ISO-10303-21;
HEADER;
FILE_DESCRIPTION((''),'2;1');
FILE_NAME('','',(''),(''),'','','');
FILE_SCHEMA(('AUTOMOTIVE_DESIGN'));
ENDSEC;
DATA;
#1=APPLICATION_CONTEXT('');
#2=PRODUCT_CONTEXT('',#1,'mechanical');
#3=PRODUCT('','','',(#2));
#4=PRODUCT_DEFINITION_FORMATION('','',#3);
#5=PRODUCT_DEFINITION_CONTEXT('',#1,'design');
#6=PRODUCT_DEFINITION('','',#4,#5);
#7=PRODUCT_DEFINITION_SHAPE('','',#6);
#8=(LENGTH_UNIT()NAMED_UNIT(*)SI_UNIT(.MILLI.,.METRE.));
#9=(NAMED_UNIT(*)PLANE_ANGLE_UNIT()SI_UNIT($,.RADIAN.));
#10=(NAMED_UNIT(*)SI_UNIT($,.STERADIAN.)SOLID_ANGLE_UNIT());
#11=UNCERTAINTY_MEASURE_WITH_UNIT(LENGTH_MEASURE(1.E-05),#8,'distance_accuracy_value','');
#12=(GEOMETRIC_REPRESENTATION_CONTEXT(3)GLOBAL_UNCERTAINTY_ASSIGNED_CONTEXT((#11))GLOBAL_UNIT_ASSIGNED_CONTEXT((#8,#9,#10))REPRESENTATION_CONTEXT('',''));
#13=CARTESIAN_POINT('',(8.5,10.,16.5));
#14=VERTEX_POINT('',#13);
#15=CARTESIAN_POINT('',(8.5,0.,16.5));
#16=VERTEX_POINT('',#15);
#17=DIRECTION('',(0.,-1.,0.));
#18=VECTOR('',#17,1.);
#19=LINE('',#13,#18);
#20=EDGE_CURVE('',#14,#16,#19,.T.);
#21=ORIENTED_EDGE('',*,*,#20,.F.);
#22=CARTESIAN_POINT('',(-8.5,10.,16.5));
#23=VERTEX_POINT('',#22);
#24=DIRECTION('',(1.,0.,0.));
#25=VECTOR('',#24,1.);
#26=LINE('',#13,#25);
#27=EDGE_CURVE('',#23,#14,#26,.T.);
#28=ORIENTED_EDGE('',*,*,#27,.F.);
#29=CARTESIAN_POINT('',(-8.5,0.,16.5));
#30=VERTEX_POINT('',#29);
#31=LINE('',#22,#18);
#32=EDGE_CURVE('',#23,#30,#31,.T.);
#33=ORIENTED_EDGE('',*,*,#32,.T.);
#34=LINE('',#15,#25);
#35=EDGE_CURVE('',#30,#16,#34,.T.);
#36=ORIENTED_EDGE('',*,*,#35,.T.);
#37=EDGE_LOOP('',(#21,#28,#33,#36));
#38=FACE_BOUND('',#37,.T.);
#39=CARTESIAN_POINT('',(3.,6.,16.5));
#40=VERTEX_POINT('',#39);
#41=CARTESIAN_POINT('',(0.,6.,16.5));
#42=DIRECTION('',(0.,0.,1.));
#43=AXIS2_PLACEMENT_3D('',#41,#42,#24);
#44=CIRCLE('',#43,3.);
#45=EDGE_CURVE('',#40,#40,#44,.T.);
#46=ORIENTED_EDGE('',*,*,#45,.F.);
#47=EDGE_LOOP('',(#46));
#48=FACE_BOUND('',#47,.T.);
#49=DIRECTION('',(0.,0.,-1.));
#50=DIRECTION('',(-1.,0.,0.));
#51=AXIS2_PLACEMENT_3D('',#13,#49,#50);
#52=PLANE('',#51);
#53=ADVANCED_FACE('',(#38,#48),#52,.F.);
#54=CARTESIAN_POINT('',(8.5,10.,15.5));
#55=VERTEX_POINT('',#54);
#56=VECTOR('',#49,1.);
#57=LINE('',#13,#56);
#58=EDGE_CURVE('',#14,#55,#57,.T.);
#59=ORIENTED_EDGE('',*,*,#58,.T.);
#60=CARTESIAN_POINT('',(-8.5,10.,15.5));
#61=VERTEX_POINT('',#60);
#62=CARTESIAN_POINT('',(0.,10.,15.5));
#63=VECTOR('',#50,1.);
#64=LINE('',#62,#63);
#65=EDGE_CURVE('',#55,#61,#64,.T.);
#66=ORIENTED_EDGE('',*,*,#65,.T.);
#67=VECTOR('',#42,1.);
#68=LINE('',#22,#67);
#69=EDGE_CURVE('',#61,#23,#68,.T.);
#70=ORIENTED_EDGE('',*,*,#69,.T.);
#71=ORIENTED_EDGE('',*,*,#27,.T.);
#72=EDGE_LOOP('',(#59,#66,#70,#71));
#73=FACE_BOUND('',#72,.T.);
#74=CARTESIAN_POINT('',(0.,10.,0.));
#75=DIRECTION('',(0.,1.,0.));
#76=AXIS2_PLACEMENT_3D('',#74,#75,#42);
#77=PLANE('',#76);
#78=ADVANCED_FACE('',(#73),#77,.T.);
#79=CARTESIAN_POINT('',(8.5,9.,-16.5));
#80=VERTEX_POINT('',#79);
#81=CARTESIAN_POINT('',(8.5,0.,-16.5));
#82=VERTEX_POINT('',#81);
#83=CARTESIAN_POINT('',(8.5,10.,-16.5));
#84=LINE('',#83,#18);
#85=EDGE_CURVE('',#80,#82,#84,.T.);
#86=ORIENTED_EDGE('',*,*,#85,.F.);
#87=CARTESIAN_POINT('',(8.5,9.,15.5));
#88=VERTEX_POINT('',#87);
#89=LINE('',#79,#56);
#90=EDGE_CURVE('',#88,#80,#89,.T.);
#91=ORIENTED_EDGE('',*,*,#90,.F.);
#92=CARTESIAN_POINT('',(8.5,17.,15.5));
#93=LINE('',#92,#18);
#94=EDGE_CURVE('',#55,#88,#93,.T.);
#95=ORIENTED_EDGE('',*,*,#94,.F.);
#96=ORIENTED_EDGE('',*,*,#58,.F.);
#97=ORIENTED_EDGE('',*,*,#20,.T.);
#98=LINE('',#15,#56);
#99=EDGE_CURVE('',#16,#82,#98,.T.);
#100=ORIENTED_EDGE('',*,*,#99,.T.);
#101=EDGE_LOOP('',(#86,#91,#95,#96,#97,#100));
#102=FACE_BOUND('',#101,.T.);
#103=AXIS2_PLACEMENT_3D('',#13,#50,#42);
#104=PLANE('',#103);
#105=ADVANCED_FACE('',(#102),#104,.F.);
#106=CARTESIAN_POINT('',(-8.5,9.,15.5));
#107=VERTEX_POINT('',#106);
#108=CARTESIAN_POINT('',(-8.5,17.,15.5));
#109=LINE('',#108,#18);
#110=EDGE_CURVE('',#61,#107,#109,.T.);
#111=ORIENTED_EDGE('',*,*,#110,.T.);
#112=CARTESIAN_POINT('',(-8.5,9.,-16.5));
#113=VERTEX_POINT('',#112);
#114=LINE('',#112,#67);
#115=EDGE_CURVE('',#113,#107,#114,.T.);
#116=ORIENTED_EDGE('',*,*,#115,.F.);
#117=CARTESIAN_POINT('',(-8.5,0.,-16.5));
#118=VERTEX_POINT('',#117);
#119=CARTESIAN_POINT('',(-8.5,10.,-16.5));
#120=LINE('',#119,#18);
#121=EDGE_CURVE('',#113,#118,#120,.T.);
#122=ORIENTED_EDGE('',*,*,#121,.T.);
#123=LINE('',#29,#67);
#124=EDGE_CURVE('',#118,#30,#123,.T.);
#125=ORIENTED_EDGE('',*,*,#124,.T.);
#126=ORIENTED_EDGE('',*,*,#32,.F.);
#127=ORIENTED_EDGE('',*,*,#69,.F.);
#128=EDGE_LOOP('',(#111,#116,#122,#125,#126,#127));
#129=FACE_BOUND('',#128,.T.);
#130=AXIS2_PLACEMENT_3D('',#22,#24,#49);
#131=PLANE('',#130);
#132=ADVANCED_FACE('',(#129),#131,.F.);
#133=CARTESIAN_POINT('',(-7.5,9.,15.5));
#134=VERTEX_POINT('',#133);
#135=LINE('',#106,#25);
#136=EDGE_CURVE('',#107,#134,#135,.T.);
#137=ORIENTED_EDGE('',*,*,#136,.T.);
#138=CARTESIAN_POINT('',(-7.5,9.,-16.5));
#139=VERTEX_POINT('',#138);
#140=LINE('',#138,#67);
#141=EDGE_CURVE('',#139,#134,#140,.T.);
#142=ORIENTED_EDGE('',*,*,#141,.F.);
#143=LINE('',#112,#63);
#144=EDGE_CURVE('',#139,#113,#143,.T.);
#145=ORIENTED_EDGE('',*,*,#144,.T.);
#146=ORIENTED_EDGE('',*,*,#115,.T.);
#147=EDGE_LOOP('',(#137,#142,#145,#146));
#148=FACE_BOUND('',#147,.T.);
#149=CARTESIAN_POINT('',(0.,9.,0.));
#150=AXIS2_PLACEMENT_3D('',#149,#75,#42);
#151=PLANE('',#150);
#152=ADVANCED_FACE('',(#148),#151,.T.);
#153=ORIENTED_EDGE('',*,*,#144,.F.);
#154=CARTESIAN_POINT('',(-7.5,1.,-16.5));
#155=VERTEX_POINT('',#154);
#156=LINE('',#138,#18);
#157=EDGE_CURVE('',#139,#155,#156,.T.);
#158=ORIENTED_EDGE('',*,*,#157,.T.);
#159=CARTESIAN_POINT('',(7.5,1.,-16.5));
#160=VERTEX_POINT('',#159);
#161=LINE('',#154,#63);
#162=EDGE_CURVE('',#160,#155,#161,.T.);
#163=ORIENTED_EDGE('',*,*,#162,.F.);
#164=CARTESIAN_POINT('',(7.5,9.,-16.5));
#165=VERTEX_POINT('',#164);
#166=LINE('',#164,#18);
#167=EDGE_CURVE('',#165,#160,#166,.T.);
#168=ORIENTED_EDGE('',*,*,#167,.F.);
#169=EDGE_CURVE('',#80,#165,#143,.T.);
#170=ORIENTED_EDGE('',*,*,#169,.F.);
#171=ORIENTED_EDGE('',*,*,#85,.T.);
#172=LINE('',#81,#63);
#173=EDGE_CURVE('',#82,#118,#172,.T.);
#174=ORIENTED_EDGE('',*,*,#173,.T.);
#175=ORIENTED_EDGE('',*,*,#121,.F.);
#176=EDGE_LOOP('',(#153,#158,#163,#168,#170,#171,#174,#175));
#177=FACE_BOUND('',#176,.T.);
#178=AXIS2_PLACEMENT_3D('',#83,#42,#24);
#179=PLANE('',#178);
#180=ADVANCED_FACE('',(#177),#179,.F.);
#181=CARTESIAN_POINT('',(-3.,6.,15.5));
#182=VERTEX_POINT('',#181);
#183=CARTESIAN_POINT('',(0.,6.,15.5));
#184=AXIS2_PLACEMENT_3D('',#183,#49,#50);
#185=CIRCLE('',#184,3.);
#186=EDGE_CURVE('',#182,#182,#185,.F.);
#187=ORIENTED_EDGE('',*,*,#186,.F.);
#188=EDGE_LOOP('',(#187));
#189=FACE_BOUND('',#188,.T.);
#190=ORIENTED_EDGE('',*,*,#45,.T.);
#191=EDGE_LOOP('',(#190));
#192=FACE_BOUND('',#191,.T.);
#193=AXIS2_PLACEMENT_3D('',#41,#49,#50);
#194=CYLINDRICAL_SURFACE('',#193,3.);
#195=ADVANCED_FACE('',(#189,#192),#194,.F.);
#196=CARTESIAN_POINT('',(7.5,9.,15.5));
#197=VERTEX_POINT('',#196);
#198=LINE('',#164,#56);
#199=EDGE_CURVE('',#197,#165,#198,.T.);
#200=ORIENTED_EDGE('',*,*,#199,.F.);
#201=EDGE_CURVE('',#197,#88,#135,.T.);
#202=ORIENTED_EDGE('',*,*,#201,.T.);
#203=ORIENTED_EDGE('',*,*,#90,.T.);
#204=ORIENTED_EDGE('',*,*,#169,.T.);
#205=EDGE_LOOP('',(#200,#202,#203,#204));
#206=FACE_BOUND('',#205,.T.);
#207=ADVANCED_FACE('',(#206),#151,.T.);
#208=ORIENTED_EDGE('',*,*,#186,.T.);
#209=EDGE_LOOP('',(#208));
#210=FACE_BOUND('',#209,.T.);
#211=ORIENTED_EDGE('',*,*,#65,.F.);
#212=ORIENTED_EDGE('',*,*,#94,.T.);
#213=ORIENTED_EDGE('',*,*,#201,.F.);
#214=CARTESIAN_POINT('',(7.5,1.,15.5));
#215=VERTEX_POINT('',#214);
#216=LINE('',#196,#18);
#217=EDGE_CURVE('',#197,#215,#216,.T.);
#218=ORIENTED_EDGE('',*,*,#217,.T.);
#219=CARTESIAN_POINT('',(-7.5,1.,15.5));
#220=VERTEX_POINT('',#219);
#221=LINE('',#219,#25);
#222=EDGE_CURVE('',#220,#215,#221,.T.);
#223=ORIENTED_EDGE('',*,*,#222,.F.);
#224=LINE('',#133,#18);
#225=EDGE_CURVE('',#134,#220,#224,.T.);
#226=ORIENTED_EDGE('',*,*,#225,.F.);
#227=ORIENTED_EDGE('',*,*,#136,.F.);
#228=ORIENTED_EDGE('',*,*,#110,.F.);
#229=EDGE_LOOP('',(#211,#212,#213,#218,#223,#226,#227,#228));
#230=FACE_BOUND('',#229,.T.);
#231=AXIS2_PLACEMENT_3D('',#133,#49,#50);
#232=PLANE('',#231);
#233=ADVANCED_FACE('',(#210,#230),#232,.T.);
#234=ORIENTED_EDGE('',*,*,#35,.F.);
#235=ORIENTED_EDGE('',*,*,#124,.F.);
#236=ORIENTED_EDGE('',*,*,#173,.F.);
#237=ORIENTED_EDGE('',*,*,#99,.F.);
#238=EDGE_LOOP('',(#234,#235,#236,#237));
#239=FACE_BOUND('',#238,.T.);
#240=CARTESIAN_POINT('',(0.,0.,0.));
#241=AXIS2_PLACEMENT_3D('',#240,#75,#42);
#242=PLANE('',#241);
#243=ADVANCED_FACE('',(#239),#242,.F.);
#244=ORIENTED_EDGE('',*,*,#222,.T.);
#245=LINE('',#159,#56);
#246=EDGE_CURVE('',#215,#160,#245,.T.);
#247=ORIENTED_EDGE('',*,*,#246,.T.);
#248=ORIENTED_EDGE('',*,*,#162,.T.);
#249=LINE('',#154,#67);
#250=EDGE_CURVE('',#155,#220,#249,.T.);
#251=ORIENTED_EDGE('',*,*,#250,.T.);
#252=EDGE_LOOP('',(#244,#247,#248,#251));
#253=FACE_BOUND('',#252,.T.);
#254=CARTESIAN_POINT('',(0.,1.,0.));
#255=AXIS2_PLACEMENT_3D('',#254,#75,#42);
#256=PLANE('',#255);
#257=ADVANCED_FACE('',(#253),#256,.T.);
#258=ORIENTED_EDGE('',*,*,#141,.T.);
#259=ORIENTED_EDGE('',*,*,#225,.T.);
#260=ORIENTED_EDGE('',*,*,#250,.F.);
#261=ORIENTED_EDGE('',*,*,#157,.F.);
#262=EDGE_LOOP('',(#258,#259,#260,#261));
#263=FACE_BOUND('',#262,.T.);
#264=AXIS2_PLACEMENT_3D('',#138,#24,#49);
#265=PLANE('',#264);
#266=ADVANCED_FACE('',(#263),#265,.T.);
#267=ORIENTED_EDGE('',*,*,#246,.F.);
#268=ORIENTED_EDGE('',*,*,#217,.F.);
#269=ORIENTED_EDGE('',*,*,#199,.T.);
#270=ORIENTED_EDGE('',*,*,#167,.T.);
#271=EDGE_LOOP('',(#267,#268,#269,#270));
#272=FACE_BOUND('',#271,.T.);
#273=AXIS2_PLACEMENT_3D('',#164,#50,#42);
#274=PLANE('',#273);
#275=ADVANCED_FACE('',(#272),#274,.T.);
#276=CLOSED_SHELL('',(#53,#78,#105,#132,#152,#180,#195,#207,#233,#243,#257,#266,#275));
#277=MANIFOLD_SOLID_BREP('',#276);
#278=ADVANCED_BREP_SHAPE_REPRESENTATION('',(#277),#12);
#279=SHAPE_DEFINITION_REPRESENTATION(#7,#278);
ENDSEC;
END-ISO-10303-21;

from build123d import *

# Parameters (mm, degrees)
SKETCH_1_W          = 17
SKETCH_1_H          = 33
EXTRUDE_1_DEPTH     = 10
CUT_EXTRUDE_START   = 1
SKETCH_2_W          = 15
SKETCH_2_H          = 32
CUT_EXTRUDE_1_DEPTH = 8
SKETCH_3_R          = 3
CUT_EXTRUDE_2_DEPTH = 22.083168642
CUT_EXTRUDE_START_2 = 9
SKETCH_5_W          = 17
SKETCH_5_H          = 32
CUT_EXTRUDE_3_DEPTH = 8
EXTRUDE_START       = 9
SKETCH_6_W          = 17
SKETCH_6_H          = 32
EXTRUDE_2_DEPTH     = 1
SKETCH_7_W          = 17
SKETCH_7_H          = 32
CUT_EXTRUDE_4_DEPTH = 1


with BuildPart() as part:
    # 스케치1 → 보스-돌출1 (new body)
    with BuildSketch(Plane(origin=(0, 0, 0), x_dir=(1, 0, 0), z_dir=(0, 1, 0))):
        Rectangle(SKETCH_1_W, SKETCH_1_H)
    extrude(amount=EXTRUDE_1_DEPTH)

    # 스케치2 → 컷-돌출1 (cut)
    with BuildSketch(Plane(origin=(0, 0, 0), x_dir=(1, 0, 0), z_dir=(0, 1, 0)).offset(CUT_EXTRUDE_START)):
        with Locations((0, 0.5)):
            Rectangle(SKETCH_2_W, SKETCH_2_H)
    extrude(amount=CUT_EXTRUDE_1_DEPTH, mode=Mode.SUBTRACT)

    # 스케치3 → 컷-돌출2 (cut, through all)
    with BuildSketch(Plane.XY):
        with Locations(Location((0, 6, 0), (0, 0, 90))):
            Circle(SKETCH_3_R)
    extrude(amount=CUT_EXTRUDE_2_DEPTH, mode=Mode.SUBTRACT)

    # 스케치5 → 컷-돌출3 (cut)
    with BuildSketch(Plane(origin=(0, 0, 0), x_dir=(1, 0, 0), z_dir=(0, 1, 0)).offset(CUT_EXTRUDE_START_2)):
        with Locations((0, 0.5)):
            Rectangle(SKETCH_5_W, SKETCH_5_H)
    extrude(amount=CUT_EXTRUDE_3_DEPTH, mode=Mode.SUBTRACT)


with BuildPart() as body_2:
    # 스케치6 → 보스-돌출2 (new body)
    with BuildSketch(Plane(origin=(0, 0, 0), x_dir=(1, 0, 0), z_dir=(0, 1, 0)).offset(EXTRUDE_START)):
        with Locations((0, 0.5)):
            Rectangle(SKETCH_6_W, SKETCH_6_H)
    extrude(amount=EXTRUDE_2_DEPTH)

    # 스케치7 → 컷-돌출4 (cut)
    with BuildSketch(Plane(origin=(0, 10, 0), x_dir=(1, 0, 0), z_dir=(0, 1, 0))):
        with Locations((0, 0.5)):
            Rectangle(SKETCH_7_W, SKETCH_7_H)
    extrude(amount=-CUT_EXTRUDE_4_DEPTH, mode=Mode.SUBTRACT)


solid = part.part
